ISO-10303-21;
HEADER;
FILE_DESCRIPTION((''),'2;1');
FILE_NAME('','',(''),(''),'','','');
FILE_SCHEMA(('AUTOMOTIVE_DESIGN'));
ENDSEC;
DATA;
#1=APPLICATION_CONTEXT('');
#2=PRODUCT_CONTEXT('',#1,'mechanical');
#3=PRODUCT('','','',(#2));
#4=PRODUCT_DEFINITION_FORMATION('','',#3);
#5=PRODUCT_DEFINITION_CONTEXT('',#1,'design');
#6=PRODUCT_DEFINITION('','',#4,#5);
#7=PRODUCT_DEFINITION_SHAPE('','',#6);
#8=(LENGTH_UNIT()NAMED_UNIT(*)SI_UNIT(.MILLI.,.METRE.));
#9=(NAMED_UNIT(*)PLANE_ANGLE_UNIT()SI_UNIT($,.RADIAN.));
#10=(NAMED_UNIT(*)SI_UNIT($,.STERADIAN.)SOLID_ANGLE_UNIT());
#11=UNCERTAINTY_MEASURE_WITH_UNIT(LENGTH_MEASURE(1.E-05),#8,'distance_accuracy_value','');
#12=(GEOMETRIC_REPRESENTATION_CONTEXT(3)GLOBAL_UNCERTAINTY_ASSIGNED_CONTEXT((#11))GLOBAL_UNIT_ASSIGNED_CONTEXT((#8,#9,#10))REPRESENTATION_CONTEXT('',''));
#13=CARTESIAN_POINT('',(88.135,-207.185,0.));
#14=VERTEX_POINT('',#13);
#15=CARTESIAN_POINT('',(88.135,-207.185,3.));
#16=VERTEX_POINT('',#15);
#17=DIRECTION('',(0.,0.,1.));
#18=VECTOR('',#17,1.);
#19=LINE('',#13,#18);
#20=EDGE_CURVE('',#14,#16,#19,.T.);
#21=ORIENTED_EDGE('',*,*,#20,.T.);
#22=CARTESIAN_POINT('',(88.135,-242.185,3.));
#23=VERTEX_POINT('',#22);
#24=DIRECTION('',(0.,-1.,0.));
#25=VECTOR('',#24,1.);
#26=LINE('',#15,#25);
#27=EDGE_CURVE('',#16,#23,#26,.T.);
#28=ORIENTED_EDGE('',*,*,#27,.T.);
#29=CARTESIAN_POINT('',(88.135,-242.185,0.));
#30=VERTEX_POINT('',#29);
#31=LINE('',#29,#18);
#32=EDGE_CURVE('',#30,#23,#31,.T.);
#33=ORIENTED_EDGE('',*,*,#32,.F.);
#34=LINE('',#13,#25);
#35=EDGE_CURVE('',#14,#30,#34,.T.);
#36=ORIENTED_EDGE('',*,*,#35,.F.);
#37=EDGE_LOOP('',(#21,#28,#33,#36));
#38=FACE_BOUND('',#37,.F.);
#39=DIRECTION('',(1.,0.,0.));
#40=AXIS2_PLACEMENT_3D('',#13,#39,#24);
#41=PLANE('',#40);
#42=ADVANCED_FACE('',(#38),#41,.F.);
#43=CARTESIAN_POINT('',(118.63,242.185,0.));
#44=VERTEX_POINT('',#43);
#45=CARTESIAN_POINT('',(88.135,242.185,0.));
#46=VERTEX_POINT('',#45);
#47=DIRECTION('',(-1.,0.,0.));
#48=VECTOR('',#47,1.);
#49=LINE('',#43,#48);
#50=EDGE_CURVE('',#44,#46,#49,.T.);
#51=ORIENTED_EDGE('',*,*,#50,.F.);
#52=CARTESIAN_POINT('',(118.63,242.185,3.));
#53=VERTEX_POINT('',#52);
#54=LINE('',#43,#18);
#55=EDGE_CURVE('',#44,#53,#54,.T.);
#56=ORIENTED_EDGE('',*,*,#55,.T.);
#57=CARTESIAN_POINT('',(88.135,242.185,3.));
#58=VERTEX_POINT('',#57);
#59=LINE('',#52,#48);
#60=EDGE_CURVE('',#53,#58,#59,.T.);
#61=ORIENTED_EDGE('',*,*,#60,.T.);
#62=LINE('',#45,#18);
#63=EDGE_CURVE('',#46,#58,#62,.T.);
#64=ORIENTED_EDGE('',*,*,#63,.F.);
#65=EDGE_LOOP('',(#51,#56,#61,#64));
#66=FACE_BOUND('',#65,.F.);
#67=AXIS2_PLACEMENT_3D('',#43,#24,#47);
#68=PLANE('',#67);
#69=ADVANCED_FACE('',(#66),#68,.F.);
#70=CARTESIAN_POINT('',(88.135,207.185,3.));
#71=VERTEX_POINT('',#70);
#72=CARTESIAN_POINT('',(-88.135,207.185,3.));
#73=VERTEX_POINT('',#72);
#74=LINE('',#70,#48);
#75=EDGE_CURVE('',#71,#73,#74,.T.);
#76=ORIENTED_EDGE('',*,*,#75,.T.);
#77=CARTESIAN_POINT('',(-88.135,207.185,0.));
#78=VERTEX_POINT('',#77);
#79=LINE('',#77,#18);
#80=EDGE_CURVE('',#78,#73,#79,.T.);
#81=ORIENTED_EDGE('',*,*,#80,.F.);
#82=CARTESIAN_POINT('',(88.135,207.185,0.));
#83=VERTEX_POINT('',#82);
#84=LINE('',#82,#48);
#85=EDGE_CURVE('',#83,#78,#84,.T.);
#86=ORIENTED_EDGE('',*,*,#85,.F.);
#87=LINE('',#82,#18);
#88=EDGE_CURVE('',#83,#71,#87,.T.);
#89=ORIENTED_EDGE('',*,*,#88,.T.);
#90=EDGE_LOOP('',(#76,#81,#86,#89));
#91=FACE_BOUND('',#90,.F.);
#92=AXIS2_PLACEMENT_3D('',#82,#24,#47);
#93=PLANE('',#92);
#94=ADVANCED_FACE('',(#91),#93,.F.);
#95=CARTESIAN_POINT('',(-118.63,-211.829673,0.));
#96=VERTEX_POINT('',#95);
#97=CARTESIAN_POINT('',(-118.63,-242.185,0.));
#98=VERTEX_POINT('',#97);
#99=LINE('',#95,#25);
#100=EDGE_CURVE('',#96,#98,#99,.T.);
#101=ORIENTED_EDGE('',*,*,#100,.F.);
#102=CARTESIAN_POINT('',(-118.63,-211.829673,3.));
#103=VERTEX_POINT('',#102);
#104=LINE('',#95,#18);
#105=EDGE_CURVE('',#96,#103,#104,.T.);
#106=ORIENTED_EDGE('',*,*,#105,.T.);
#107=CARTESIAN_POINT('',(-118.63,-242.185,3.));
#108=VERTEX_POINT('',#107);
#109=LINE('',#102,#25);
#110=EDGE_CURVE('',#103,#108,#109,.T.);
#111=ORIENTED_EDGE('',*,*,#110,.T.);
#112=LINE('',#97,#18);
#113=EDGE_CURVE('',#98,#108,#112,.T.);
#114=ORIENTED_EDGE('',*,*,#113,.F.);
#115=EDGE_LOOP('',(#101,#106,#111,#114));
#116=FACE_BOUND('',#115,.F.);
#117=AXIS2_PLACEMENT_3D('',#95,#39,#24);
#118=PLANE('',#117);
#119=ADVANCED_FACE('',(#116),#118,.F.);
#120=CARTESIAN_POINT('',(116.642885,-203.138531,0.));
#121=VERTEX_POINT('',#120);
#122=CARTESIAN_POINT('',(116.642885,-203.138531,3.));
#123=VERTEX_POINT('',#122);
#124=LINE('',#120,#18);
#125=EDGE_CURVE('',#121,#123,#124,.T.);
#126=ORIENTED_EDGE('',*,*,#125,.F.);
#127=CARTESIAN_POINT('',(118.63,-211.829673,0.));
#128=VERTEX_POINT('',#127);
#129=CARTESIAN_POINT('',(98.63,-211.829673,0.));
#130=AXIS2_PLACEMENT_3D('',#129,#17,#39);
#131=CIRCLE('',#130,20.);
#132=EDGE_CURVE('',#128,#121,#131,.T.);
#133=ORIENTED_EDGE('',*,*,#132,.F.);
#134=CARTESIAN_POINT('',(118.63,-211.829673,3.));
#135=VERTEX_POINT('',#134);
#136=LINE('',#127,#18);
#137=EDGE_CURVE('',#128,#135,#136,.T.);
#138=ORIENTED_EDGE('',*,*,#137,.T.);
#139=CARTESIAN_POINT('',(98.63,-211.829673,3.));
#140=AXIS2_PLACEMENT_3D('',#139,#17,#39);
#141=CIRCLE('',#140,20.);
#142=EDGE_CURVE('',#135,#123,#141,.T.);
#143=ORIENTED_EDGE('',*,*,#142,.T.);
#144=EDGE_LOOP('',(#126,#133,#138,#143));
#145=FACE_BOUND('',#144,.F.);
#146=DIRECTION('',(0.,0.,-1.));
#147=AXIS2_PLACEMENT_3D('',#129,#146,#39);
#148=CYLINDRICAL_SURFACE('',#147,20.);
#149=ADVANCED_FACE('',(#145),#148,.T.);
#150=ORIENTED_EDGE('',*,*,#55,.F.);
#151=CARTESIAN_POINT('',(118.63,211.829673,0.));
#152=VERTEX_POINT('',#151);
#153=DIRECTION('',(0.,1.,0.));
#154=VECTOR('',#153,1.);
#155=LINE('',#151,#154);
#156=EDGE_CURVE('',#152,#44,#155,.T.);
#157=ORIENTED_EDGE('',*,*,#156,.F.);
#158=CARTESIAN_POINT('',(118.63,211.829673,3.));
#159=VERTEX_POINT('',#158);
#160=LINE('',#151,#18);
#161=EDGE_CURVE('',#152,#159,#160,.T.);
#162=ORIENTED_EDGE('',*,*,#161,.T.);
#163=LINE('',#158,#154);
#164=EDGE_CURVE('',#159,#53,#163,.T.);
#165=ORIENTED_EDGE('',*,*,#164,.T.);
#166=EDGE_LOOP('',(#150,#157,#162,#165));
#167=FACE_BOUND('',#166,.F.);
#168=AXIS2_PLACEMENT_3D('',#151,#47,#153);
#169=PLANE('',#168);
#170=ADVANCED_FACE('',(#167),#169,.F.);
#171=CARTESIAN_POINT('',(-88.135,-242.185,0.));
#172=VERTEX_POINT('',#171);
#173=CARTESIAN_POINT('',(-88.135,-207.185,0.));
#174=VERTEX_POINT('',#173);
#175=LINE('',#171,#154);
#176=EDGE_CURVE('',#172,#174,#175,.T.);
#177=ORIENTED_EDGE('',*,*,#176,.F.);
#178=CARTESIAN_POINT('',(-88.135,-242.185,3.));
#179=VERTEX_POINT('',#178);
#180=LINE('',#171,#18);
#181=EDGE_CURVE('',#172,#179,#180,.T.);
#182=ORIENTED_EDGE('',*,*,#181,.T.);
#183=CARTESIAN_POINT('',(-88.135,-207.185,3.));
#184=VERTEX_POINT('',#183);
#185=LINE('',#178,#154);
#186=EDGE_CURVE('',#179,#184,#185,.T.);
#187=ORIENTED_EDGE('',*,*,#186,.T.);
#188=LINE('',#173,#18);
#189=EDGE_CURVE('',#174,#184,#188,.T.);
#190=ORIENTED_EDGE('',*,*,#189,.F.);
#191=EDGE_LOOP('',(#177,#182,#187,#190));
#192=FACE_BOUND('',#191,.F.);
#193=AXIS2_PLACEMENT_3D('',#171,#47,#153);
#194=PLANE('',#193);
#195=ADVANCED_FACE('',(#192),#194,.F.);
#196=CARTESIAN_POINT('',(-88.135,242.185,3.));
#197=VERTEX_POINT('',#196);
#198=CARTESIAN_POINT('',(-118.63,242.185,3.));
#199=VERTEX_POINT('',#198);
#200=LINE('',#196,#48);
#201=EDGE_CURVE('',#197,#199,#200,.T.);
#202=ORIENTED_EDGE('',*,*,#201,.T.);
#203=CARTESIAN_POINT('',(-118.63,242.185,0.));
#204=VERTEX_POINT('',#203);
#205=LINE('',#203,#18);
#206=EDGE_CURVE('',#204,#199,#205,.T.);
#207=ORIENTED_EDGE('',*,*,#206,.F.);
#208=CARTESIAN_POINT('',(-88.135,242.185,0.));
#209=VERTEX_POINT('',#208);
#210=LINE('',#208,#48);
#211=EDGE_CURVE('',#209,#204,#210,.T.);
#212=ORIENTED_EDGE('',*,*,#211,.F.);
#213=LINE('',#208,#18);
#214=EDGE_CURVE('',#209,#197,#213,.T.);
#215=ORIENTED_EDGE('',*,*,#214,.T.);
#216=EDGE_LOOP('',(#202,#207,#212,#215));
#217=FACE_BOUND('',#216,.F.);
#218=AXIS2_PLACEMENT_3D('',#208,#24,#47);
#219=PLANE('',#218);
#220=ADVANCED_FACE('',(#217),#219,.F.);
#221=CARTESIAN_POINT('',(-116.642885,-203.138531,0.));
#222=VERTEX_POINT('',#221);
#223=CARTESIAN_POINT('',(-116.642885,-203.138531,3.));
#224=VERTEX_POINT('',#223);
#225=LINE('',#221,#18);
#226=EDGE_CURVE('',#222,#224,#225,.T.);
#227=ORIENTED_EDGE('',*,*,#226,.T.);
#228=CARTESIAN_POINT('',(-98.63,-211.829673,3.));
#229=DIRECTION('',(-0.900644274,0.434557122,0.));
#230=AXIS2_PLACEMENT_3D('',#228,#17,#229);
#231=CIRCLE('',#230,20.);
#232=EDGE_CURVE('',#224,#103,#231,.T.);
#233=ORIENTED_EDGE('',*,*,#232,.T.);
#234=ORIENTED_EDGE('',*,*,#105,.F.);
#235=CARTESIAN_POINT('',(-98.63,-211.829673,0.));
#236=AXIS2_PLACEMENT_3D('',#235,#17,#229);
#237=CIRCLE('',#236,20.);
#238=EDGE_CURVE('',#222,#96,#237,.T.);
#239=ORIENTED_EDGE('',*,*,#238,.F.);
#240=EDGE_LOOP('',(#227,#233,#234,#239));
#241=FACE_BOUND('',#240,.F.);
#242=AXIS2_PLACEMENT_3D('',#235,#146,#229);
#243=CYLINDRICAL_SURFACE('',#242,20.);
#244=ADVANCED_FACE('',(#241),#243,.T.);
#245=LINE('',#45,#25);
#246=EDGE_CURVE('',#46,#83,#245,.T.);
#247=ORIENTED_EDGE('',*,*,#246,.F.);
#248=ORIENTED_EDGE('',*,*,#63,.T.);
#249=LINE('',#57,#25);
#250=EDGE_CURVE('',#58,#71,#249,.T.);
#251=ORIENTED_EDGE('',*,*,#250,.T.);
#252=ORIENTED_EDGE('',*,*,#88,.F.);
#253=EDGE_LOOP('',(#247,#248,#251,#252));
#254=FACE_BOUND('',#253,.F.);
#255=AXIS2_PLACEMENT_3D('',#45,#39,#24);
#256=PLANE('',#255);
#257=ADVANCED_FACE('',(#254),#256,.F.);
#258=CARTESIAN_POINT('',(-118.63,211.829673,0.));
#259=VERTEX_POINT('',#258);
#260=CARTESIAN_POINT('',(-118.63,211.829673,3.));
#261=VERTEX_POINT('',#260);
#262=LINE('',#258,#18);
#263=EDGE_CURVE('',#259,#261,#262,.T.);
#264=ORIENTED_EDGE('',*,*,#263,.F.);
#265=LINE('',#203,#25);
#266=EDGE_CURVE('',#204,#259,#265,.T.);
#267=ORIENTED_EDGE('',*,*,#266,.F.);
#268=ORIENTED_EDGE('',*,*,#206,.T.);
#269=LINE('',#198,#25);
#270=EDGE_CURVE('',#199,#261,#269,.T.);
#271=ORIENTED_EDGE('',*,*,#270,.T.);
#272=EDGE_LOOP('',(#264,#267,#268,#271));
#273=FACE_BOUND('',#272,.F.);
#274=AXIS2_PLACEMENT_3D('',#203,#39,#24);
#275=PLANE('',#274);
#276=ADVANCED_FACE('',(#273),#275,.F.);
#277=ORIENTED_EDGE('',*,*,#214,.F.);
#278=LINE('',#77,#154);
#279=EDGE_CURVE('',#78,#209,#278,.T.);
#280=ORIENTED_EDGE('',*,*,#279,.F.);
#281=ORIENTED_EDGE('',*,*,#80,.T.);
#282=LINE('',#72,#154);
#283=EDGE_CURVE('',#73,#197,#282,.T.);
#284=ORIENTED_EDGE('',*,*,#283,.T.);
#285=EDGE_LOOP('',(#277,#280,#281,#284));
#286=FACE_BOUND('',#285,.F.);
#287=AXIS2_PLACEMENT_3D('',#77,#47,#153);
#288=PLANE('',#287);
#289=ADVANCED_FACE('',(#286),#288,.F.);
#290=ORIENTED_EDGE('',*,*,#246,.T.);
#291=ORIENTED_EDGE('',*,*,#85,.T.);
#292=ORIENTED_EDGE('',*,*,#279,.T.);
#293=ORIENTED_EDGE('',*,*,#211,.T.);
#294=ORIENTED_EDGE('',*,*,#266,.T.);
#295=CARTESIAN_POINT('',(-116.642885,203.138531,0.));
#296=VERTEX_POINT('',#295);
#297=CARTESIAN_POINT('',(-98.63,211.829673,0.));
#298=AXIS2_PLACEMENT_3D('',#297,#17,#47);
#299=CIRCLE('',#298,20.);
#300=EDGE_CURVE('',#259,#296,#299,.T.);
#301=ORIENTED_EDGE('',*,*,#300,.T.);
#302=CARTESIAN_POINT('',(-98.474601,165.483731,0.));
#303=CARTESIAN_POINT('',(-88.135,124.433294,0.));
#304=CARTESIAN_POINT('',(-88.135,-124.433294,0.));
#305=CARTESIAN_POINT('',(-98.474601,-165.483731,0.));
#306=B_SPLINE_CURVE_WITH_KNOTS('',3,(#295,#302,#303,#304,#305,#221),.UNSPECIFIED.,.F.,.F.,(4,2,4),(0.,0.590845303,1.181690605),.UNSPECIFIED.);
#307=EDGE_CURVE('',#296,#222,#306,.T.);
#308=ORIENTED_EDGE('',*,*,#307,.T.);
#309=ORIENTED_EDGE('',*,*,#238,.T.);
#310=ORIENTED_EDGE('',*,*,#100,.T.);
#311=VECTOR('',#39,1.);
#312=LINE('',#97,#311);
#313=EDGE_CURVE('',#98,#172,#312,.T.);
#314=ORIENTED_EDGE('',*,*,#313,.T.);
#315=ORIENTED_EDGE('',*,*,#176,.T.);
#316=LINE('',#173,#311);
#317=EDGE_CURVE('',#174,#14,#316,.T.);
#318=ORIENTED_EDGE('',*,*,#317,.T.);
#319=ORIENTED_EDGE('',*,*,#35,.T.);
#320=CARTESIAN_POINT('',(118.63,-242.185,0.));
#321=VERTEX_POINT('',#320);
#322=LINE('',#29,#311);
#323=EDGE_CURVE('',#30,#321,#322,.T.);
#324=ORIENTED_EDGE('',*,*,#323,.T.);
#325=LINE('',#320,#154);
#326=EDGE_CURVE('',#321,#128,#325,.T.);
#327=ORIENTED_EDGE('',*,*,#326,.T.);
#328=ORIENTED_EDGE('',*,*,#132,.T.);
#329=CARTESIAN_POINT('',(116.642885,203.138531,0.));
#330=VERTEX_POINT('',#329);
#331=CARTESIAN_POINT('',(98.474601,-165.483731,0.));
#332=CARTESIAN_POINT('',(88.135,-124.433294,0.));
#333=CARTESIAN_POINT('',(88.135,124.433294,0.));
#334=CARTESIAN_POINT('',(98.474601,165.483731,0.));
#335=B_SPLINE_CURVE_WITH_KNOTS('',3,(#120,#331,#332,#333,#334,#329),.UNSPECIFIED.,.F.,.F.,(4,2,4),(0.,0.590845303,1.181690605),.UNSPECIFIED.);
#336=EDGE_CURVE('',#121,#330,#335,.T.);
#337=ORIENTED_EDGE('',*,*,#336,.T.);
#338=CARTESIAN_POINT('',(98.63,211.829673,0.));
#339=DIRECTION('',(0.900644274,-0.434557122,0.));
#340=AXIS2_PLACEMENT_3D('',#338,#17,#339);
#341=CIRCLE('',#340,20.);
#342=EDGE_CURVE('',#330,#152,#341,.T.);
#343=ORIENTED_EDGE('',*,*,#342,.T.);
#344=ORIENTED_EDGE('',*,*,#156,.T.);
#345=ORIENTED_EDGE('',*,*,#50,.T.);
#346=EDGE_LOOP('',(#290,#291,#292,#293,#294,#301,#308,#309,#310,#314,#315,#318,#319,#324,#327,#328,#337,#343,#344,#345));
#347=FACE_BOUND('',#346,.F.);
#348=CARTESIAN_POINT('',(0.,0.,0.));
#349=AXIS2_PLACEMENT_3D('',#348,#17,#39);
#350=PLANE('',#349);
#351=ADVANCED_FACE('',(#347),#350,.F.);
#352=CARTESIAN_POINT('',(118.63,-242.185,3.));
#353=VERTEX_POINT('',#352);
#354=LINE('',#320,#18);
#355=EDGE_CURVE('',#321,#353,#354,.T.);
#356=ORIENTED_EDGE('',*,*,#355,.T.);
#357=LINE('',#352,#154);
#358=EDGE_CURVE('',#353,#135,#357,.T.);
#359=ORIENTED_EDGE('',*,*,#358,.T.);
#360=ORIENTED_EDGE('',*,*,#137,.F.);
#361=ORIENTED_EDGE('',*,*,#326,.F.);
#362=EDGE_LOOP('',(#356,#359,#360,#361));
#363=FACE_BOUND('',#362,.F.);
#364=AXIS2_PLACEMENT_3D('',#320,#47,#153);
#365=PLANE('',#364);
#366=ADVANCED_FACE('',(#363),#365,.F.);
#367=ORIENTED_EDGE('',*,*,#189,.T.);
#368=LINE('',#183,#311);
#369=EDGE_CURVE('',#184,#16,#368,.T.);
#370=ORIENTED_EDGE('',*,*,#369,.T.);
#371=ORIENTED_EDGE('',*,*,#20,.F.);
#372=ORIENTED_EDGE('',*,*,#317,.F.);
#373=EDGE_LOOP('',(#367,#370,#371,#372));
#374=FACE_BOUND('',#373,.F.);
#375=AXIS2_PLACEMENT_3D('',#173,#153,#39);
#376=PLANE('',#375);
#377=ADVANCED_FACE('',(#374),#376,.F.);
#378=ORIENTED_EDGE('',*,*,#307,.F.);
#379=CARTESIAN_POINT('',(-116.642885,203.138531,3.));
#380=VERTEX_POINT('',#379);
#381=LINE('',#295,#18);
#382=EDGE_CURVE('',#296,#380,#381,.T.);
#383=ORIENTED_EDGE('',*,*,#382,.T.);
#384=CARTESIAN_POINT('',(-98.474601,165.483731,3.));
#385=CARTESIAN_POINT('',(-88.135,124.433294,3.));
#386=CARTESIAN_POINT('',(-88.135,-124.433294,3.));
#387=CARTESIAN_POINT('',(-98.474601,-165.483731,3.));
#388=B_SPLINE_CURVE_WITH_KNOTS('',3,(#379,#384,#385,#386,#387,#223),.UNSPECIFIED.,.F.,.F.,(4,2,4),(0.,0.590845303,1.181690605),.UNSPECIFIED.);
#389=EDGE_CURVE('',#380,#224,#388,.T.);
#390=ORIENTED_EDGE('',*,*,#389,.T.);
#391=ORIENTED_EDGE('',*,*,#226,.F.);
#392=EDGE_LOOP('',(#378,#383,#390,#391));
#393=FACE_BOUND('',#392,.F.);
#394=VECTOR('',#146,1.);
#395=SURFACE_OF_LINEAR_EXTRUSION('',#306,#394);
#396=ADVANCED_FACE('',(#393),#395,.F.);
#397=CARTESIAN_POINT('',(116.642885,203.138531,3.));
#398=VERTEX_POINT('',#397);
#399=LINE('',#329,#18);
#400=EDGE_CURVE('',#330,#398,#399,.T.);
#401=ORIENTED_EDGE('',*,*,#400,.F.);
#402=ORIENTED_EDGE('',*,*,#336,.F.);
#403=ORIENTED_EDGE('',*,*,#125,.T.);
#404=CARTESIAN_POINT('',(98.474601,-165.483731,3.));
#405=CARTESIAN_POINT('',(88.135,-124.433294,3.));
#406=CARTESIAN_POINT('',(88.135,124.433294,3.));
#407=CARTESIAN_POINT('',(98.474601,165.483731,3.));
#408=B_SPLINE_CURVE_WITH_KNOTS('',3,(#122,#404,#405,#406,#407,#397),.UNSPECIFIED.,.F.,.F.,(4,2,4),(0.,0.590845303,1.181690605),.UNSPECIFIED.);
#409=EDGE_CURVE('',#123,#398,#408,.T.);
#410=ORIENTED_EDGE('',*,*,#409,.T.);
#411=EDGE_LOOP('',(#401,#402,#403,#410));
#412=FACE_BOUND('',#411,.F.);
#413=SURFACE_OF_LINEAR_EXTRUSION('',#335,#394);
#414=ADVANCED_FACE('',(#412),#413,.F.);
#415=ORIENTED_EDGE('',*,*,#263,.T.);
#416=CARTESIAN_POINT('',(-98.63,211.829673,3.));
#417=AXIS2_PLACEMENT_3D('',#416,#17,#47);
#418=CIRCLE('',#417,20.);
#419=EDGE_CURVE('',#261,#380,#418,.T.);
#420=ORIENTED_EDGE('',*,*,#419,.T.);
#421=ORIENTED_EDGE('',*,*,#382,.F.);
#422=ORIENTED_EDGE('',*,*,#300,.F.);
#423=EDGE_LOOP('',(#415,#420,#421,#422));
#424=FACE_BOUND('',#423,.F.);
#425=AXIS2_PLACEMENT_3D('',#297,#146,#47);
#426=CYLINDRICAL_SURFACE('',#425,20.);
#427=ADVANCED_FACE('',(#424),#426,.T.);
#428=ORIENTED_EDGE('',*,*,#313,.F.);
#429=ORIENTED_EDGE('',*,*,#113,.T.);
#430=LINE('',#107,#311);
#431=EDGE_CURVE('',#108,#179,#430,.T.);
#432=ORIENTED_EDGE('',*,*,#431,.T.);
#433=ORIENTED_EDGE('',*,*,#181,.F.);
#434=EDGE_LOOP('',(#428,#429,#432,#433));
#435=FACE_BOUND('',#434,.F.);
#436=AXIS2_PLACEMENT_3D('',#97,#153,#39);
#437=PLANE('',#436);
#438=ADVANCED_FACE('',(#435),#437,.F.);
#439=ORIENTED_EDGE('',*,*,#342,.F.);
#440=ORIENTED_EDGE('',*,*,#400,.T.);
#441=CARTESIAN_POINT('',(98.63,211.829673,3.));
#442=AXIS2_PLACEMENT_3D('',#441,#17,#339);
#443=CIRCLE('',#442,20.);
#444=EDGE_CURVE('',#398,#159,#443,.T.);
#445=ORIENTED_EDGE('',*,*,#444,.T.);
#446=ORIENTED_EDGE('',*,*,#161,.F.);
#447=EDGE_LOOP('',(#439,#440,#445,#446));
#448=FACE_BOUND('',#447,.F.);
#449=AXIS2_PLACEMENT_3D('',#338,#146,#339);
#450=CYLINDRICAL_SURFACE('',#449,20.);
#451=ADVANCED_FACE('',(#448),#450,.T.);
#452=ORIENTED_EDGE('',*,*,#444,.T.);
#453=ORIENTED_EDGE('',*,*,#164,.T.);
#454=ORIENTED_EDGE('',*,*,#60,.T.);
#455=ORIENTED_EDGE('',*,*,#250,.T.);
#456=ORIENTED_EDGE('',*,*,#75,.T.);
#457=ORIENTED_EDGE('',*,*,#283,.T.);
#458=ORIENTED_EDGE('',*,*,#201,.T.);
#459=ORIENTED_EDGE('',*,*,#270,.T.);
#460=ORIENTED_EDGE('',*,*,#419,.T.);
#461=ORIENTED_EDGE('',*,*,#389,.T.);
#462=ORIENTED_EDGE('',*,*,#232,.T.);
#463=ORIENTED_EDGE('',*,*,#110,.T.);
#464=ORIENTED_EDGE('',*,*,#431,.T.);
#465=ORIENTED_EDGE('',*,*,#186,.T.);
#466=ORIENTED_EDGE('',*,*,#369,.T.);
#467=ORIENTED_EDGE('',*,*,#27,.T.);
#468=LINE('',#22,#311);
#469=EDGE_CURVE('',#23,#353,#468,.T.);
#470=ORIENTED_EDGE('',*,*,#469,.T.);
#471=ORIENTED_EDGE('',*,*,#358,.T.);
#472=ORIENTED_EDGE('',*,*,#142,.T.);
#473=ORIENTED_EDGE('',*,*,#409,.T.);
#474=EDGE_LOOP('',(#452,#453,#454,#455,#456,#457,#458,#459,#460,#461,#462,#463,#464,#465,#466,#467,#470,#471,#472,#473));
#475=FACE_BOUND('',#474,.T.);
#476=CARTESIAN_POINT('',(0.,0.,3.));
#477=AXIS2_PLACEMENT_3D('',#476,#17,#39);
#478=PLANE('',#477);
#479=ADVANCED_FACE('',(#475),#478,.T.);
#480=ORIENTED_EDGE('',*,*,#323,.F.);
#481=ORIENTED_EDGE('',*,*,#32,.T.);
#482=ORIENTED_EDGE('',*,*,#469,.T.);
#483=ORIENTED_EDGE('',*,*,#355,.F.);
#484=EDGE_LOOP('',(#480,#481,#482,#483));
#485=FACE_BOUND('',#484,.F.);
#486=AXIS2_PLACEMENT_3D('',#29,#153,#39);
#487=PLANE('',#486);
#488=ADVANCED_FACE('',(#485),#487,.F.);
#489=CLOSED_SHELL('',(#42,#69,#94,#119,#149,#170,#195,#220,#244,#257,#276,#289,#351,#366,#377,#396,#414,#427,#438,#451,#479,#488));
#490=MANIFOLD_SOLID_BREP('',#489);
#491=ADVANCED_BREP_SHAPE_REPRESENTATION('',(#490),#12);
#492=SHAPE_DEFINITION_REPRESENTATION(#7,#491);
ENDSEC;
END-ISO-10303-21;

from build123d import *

# Parameters (mm, degrees)
F1_DEPTH = 3


with BuildPart() as f1:
    # F0 (on Top) → F1 (new body)
    with BuildSketch(Plane.XY):
        with BuildLine():
            Line((-88.135, -242.185), (-88.135, -207.185))
            Line((-88.135, -207.185), (0, -207.185))
            Line((0, -207.185), (88.135, -207.185))
            Line((88.135, -207.185), (88.135, -242.185))
            Line((88.135, -242.185), (118.63, -242.185))
            Line((118.63, -242.185), (118.63, -211.8296730702))
            ThreePointArc((118.63, -211.8296730702), (118.1268934633, -207.3719667901), (116.642885472, -203.1385306268))
            add(Edge.make_bspline(
                [(88.135, 0), (88.135, -124.4332938681), (98.4746011799, -165.483731352), (116.642885472, -203.1385306268)],
                knots=[0, 0, 0, 0, 0.5908453027, 0.5908453027, 0.5908453027, 0.5908453027], degree=3))
            add(Edge.make_bspline(
                [(88.135, 0), (88.135, 124.4332938681), (98.4746011799, 165.483731352), (116.642885472, 203.1385306268)],
                knots=[0, 0, 0, 0, 0.5908453027, 0.5908453027, 0.5908453027, 0.5908453027], degree=3))
            ThreePointArc((116.642885472, 203.1385306268), (118.1268934633, 207.3719667901), (118.63, 211.8296730702))
            Line((118.63, 211.8296730702), (118.63, 242.185))
            Line((118.63, 242.185), (88.135, 242.185))
            Line((88.135, 242.185), (88.135, 207.185))
            Line((88.135, 207.185), (0, 207.185))
            Line((0, 207.185), (-88.135, 207.185))
            Line((-88.135, 207.185), (-88.135, 242.185))
            Line((-88.135, 242.185), (-118.63, 242.185))
            Line((-118.63, 242.185), (-118.63, 211.8296730702))
            ThreePointArc((-118.63, 211.8296730702), (-118.1268934633, 207.3719667901), (-116.642885472, 203.1385306268))
            add(Edge.make_bspline(
                [(-88.135, 0), (-88.135, 124.4332938681), (-98.4746011799, 165.483731352), (-116.642885472, 203.1385306268)],
                knots=[0, 0, 0, 0, 0.5908453027, 0.5908453027, 0.5908453027, 0.5908453027], degree=3))
            add(Edge.make_bspline(
                [(-88.135, 0), (-88.135, -124.4332938681), (-98.4746011799, -165.483731352), (-116.642885472, -203.1385306268)],
                knots=[0, 0, 0, 0, 0.5908453027, 0.5908453027, 0.5908453027, 0.5908453027], degree=3))
            ThreePointArc((-116.642885472, -203.1385306268), (-118.1268934633, -207.3719667901), (-118.63, -211.8296730702))
            Line((-118.63, -211.8296730702), (-118.63, -242.185))
            Line((-118.63, -242.185), (-88.135, -242.185))
        make_face()
    extrude(amount=F1_DEPTH)


solid = f1.part
